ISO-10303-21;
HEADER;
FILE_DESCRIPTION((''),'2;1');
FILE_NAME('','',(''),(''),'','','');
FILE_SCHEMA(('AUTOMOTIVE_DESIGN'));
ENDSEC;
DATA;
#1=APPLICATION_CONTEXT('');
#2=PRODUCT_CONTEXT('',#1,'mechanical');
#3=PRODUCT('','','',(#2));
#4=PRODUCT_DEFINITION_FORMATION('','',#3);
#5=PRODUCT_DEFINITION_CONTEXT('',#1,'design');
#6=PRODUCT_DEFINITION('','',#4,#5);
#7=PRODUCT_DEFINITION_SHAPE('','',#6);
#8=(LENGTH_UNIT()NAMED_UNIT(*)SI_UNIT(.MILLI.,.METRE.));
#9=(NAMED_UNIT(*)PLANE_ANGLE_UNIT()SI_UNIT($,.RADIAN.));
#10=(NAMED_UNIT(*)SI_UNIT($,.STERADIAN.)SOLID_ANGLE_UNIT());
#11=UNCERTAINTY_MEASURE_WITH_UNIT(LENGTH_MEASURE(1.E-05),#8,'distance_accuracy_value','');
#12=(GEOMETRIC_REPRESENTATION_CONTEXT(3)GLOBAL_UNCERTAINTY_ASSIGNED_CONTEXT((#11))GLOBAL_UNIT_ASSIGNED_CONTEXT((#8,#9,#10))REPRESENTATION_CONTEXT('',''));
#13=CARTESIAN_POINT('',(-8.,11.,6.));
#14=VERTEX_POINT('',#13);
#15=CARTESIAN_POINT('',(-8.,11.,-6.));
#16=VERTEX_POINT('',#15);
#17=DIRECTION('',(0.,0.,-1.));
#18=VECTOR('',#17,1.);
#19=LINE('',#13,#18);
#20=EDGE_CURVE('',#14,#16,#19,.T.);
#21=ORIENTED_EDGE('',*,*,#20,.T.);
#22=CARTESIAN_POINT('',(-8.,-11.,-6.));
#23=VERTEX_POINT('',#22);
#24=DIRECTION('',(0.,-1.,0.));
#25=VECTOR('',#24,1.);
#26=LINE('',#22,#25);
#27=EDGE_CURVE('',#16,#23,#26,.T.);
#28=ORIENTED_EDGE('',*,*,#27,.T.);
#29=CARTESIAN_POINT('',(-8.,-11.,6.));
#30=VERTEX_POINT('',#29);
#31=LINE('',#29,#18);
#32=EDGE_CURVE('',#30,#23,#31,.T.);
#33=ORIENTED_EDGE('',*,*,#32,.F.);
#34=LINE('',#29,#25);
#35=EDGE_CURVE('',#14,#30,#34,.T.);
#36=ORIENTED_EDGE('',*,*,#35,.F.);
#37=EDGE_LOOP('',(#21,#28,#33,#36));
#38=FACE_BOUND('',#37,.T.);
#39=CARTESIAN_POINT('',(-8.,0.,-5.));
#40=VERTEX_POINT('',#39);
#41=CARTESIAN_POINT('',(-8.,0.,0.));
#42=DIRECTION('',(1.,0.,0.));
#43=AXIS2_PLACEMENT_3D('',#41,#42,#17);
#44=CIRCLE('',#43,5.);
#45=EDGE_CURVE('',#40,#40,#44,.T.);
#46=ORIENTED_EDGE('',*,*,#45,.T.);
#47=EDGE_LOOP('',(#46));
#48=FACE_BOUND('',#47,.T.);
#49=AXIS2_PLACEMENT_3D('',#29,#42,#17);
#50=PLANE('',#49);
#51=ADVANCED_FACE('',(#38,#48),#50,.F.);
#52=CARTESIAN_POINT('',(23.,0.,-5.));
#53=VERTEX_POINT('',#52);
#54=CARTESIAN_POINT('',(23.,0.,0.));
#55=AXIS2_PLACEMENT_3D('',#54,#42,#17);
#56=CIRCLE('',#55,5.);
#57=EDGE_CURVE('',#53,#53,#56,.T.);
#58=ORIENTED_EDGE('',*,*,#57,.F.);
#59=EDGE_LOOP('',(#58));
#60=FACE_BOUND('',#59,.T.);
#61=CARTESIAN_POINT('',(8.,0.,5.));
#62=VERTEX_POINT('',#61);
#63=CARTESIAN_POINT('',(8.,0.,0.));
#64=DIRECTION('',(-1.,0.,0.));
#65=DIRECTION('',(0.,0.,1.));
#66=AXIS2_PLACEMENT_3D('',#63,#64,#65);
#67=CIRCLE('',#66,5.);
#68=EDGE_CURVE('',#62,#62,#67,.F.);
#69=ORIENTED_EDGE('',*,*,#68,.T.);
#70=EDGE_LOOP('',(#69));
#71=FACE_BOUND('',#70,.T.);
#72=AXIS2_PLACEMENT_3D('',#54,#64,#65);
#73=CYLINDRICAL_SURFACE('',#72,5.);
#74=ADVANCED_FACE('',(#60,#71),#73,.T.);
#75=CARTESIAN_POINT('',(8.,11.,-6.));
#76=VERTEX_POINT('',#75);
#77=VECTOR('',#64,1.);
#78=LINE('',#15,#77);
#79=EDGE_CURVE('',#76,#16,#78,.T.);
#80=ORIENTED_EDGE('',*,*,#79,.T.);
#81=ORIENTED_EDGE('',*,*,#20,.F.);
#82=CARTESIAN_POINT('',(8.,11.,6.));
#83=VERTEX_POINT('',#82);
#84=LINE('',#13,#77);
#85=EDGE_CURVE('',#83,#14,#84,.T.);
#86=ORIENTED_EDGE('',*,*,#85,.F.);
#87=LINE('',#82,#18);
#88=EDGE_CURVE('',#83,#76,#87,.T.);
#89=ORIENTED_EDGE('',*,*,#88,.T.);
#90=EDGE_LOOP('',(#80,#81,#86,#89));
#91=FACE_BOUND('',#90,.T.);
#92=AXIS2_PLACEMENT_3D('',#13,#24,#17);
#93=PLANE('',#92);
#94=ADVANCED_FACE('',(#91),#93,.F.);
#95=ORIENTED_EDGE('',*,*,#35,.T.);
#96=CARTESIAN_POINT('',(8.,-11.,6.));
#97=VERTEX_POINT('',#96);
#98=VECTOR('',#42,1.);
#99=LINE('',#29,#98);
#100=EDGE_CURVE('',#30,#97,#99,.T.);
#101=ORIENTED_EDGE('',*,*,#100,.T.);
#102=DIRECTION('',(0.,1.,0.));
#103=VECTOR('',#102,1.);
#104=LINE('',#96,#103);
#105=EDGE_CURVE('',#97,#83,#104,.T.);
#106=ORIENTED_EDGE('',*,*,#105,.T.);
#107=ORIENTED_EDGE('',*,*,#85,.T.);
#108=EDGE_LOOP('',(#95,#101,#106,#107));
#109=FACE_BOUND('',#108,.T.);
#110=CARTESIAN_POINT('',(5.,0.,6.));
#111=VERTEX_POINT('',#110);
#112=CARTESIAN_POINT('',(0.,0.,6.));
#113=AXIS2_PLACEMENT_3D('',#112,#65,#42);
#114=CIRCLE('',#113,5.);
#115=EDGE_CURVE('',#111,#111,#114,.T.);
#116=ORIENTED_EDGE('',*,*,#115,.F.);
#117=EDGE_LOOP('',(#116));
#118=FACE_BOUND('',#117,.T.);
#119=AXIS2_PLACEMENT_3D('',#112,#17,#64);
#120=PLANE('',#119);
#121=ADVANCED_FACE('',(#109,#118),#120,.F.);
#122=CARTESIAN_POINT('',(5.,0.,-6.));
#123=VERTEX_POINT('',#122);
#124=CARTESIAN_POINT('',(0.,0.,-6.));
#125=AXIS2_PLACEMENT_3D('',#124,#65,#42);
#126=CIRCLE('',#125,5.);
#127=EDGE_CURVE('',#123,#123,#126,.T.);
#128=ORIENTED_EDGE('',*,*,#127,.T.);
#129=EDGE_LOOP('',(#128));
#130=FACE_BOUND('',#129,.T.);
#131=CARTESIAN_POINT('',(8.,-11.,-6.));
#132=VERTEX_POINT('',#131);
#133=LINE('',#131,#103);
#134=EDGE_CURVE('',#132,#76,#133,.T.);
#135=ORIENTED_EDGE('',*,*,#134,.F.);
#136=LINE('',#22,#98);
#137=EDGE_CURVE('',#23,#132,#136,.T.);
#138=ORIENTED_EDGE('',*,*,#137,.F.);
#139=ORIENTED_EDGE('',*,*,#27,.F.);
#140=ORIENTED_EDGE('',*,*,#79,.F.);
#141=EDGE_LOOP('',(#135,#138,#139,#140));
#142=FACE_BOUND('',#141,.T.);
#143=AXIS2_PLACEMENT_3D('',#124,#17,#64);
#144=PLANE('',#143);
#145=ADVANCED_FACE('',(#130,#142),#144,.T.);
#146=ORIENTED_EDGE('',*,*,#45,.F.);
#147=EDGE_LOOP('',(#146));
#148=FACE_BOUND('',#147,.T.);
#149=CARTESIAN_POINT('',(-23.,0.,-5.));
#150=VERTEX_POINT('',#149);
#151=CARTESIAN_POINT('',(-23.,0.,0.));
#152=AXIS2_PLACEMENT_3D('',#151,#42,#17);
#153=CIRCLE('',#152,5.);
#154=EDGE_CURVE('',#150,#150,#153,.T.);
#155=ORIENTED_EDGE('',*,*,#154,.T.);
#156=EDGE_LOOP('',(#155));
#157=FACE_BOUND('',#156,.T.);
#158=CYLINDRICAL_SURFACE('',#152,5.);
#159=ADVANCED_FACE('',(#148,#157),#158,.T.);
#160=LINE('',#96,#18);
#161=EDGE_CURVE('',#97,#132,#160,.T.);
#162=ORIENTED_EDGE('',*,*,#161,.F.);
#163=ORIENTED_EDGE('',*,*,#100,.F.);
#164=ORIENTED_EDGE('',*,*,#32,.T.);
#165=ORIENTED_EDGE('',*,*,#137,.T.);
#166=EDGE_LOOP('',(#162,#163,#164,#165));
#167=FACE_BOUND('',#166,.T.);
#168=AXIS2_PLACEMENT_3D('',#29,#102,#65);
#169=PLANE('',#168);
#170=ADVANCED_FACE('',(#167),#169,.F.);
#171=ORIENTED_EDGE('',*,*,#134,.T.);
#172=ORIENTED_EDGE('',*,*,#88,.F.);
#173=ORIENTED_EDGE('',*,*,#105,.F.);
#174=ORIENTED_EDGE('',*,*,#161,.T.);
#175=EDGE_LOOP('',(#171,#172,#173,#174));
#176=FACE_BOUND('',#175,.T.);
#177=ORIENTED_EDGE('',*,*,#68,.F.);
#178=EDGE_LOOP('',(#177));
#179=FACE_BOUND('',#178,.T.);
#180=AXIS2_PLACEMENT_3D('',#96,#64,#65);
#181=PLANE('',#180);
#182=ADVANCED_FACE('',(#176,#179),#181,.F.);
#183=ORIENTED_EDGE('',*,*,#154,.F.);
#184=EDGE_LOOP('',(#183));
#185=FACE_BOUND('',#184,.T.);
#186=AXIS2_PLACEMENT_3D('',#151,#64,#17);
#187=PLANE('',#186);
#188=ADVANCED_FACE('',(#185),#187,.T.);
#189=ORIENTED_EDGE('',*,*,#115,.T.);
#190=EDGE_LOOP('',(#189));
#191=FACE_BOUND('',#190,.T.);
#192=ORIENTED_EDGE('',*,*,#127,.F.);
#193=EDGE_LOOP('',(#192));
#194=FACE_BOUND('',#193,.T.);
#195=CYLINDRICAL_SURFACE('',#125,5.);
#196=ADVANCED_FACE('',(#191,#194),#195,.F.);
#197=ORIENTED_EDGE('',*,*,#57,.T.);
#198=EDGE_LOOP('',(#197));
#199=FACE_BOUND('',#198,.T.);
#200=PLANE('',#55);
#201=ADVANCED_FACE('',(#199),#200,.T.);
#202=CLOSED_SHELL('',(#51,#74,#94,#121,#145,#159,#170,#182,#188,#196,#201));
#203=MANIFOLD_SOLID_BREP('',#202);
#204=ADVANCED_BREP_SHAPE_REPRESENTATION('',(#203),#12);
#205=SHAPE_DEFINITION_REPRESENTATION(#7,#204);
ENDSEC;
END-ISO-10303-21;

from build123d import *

# Parameters (mm, degrees)
SKETCH_1_W          = 16
SKETCH_1_H          = 22
EXTRUDE_1_DEPTH     = 6
SKETCH_2_R          = 5
EXTRUDE_2_DEPTH     = 15
SKETCH_3_R          = 5
CUT_EXTRUDE_1_DEPTH = 13


with BuildPart() as part:
    # 草图1 → 凸台-拉伸1 (new body, symmetric)
    with BuildSketch(Plane.XY):
        Rectangle(SKETCH_1_W, SKETCH_1_H)
    extrude(amount=EXTRUDE_1_DEPTH, both=True)

    # 草图2 → 凸台-拉伸2 (add)
    with BuildSketch(Plane(origin=(8, 0, 0), x_dir=(0, 0, -1), z_dir=(1, 0, 0))):
        Circle(SKETCH_2_R)
    extrude_2 = extrude(amount=EXTRUDE_2_DEPTH)

    # 镜向1: 凸台-拉伸2 across plane
    add(extrude_2.mirror(Plane(origin=(0, 0, 0), x_dir=(0, 0, 1), z_dir=(1, 0, 0))))

    # 草图3 → 切除-拉伸1 (cut, through all)
    with BuildSketch(Plane.XY.offset(6)):
        Circle(SKETCH_3_R)
    extrude(amount=-CUT_EXTRUDE_1_DEPTH, mode=Mode.SUBTRACT)


solid = part.part
